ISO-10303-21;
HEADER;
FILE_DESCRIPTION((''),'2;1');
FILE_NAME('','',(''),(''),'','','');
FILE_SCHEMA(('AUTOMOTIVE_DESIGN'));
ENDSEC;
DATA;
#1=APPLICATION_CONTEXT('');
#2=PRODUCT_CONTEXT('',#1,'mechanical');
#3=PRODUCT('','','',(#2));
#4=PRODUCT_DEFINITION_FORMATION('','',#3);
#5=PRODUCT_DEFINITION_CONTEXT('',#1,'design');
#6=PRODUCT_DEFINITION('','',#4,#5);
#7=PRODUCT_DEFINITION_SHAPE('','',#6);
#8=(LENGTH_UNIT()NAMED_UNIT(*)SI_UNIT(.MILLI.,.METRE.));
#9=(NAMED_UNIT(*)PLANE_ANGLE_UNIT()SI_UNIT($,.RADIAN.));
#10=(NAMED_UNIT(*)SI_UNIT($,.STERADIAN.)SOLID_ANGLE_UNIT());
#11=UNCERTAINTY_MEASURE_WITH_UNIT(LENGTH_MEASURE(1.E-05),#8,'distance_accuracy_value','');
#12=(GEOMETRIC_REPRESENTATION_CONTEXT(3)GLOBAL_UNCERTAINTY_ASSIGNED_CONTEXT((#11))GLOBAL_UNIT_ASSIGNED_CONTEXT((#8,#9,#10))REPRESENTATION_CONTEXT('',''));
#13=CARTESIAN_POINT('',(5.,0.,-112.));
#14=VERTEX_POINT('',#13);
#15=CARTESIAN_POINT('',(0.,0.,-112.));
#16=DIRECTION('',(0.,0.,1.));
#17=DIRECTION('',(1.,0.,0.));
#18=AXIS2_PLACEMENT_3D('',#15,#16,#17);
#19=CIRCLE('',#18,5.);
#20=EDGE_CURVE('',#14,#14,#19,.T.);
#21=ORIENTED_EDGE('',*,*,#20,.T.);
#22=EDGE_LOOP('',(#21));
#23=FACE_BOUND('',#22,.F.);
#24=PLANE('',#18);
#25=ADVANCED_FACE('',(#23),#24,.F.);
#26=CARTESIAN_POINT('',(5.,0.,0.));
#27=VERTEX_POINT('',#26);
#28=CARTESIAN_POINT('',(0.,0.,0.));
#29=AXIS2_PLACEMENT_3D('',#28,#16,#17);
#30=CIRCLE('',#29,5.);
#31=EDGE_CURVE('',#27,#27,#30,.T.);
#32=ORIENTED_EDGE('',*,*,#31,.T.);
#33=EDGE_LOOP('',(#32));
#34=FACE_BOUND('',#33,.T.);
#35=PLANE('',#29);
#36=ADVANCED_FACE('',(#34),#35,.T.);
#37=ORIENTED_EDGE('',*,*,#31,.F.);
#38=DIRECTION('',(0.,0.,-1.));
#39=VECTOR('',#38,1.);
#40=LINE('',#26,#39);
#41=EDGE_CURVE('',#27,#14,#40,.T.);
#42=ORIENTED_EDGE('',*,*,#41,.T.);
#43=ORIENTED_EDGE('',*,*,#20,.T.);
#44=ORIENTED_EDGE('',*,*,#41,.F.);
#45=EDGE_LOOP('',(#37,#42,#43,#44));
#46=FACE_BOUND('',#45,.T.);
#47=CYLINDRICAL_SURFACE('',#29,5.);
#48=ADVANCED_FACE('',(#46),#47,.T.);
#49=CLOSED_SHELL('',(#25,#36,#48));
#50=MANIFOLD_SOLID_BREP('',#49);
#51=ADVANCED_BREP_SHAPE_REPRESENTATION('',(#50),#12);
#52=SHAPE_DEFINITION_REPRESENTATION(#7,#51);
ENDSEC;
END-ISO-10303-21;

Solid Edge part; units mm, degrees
sketch "Sketch1" plane through (0, 0, 0) normal (0, 0, 1) x (1, 0, 0)
  circle A0 centre (0, 0) radius 5
extrude "Protrusion1" add sketch "Sketch1" against normal blind 112
